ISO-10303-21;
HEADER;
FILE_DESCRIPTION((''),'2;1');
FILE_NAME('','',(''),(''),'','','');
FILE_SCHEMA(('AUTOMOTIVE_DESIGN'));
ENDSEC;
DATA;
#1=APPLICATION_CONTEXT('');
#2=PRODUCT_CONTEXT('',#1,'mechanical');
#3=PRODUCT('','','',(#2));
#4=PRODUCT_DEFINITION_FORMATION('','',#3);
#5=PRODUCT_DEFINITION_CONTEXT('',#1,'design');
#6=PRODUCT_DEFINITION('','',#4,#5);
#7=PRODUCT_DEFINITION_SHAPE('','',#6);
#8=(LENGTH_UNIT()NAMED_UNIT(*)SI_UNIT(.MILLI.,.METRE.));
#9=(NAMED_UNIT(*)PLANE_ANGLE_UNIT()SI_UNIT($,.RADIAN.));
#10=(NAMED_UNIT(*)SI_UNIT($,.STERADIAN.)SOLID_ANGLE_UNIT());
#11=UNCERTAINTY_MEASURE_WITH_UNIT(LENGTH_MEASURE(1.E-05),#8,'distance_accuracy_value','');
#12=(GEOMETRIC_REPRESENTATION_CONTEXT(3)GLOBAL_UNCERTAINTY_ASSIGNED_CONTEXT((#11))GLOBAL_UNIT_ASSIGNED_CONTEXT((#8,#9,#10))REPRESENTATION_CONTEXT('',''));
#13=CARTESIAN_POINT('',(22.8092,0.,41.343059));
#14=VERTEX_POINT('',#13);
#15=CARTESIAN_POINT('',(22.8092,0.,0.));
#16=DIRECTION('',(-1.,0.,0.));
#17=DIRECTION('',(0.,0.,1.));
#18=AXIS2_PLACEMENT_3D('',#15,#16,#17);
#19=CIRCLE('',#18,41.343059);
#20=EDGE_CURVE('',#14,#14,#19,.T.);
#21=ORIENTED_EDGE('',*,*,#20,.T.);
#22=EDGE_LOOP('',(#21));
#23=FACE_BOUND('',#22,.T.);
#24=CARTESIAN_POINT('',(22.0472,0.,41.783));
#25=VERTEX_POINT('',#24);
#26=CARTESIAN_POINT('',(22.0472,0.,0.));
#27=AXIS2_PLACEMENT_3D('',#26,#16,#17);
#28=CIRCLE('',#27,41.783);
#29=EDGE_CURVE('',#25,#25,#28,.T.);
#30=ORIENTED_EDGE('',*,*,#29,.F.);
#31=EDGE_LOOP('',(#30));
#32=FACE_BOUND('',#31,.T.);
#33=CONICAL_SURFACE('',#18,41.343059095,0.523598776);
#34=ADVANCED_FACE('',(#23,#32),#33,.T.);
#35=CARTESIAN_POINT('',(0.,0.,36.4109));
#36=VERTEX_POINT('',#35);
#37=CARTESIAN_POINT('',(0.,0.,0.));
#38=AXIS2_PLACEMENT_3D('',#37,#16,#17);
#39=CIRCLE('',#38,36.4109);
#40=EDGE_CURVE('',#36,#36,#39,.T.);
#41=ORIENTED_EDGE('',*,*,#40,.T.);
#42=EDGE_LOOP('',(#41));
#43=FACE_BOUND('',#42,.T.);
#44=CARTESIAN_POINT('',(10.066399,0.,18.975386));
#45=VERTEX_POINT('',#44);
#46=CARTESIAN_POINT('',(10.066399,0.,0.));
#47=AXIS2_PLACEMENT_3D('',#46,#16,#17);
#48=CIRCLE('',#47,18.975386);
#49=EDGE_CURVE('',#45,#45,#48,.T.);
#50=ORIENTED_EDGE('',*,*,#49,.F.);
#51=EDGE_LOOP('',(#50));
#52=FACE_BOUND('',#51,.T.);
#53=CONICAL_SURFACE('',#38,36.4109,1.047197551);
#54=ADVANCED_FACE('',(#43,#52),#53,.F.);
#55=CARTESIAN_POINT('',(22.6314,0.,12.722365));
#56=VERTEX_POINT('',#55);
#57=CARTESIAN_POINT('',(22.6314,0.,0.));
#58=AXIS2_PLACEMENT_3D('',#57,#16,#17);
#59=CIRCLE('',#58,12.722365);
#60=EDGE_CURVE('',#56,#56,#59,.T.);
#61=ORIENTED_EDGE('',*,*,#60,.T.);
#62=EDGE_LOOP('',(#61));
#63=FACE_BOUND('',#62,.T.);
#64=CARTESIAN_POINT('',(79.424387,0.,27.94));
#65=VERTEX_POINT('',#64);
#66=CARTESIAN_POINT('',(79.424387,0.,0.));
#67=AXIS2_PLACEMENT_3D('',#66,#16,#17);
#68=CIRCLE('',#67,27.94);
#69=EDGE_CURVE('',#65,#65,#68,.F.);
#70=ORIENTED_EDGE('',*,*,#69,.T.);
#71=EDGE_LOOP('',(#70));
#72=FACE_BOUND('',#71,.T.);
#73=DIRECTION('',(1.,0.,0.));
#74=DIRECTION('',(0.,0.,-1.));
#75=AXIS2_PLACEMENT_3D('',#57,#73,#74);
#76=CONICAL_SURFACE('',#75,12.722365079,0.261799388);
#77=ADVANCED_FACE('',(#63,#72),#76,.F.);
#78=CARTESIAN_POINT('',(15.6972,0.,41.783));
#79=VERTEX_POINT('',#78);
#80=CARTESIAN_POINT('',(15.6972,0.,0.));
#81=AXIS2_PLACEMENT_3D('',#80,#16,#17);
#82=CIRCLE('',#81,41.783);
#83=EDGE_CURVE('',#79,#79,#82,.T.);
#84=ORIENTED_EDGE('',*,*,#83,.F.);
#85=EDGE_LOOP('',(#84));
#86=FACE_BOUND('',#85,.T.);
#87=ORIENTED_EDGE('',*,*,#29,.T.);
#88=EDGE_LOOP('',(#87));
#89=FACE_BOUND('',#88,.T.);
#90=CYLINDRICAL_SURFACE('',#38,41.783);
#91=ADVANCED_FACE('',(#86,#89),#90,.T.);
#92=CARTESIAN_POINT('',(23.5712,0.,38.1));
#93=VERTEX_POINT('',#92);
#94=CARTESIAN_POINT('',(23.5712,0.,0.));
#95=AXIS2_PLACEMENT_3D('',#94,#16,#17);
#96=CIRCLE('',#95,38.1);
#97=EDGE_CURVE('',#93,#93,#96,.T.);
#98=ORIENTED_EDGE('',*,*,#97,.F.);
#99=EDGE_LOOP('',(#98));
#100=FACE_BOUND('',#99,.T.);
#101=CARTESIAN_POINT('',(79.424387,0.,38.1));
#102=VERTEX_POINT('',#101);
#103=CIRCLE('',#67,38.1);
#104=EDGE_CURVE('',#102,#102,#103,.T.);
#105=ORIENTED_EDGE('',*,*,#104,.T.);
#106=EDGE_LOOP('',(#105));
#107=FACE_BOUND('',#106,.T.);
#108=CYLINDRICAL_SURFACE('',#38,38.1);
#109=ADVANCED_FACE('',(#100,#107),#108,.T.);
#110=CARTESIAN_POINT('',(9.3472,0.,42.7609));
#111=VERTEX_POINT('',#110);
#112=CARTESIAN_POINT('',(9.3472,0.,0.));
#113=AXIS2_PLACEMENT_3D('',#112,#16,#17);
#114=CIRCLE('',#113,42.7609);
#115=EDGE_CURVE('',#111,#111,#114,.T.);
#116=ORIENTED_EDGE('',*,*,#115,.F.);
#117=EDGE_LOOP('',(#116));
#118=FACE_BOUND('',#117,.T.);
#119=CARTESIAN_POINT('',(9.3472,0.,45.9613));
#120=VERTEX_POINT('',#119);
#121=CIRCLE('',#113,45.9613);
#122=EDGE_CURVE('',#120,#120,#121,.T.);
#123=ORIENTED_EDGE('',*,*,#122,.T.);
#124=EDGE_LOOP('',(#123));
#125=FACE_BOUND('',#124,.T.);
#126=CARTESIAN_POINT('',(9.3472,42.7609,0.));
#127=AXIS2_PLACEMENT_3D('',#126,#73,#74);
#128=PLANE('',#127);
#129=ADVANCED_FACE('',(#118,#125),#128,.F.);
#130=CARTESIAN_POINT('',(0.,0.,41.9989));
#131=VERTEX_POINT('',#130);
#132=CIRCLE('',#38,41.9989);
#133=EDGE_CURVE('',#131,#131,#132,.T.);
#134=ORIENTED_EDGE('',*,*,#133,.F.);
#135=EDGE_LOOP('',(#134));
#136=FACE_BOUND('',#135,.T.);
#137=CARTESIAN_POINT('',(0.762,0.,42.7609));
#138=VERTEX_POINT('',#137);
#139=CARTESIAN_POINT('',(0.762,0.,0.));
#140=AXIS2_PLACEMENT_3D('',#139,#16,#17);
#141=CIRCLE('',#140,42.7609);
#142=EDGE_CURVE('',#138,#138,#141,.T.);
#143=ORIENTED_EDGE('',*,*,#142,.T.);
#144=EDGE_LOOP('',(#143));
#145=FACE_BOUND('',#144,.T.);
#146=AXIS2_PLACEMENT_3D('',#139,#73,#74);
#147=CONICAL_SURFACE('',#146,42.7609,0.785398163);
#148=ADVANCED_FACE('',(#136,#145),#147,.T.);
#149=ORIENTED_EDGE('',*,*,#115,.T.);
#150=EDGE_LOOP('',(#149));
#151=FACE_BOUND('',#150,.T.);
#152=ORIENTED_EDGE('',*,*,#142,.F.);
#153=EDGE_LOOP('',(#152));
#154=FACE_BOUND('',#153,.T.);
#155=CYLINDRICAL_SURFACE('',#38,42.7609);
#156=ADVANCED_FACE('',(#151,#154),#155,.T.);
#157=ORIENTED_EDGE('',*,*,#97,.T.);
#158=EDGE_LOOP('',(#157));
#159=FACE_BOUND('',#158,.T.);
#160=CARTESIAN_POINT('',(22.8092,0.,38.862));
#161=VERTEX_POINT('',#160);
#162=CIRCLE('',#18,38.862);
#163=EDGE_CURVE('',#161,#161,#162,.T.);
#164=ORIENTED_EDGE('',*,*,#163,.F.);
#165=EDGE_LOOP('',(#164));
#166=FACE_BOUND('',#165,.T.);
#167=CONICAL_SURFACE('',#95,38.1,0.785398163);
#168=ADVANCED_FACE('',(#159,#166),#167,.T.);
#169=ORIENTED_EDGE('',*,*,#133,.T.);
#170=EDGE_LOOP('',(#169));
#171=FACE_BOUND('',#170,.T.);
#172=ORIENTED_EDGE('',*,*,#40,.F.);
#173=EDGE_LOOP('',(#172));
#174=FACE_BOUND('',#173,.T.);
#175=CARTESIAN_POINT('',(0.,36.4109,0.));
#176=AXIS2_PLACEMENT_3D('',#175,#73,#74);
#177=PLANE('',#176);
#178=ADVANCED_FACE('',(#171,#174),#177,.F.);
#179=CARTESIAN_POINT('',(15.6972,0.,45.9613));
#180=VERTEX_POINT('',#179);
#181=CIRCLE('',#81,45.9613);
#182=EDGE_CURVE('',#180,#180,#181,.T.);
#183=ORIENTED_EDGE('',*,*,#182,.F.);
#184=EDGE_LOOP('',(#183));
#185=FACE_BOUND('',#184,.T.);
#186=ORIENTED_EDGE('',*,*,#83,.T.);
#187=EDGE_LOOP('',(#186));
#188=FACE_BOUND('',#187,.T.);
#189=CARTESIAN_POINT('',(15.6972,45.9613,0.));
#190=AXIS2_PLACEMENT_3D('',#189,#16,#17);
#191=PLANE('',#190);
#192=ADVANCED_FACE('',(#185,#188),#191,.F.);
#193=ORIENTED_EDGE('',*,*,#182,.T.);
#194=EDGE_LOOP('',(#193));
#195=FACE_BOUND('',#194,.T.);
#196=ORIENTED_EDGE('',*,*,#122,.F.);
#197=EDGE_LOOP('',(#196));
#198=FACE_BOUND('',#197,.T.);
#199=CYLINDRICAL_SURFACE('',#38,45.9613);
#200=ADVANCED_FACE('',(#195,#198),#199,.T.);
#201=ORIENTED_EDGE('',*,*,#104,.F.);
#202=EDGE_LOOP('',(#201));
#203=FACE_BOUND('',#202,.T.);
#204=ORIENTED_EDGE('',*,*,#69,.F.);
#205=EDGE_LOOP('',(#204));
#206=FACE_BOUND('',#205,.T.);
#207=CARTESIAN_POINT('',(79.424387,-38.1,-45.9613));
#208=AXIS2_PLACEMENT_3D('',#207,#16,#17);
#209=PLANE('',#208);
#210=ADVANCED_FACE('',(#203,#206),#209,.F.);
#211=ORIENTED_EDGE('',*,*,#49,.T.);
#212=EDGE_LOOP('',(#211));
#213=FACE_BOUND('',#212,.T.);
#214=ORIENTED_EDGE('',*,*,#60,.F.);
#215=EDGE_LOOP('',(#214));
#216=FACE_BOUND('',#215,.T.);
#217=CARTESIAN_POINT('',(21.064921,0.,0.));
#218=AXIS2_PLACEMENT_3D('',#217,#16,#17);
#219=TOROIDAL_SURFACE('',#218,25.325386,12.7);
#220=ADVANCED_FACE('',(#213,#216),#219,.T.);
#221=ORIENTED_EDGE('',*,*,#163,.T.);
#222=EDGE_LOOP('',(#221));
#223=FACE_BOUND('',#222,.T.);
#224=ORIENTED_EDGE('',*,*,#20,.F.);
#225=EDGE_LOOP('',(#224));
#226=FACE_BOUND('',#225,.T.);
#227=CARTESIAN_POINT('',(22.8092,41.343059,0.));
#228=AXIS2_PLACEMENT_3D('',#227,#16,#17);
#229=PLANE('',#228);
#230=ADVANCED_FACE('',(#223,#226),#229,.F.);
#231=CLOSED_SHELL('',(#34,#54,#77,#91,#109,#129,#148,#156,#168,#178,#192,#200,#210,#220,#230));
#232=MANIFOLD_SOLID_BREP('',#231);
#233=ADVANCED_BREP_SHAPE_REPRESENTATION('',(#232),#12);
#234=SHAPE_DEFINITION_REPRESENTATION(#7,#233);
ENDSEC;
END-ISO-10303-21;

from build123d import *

# Parameters (mm, degrees)
CUT_EXTRUDE1_DEPTH      = 124.385507346
CUT_EXTRUDE1_DEPTH_BACK = 124.385507346
SKETCH2_W               = 25.452213303
SKETCH2_H               = 76.2


with BuildPart() as part:
    # Sketch1 → Revolve1 (revolve)
    with BuildSketch(Plane.XY, mode=Mode.PRIVATE) as revolve1_sk:
        with BuildLine():
            Line((0, 36.4109), (0, 41.9989))
            Line((0, 41.9989), (0.762, 42.7609))
            Line((0.762, 42.7609), (9.3472, 42.7609))
            Line((9.3472, 42.7609), (9.3472, 45.9613))
            Line((9.3472, 45.9613), (15.6972, 45.9613))
            Line((15.6972, 45.9613), (15.6972, 41.783))
            Line((15.6972, 41.783), (22.0472, 41.783))
            Line((22.0472, 41.783), (22.8092, 41.343059095))
            Line((22.8092, 41.343059095), (22.8092, 38.862))
            Line((22.8092, 38.862), (23.5712, 38.1))
            Line((23.5712, 38.1), (104.1146, 38.1))
            Line((104.1146, 38.1), (104.8766, 37.338))
            Line((104.8766, 37.338), (104.8766, 34.7599))
            Line((104.8766, 34.7599), (22.6314, 12.722365079))
            ThreePointArc((22.6314, 12.722365079), (15.406658957, 13.955510804), (10.066398525, 18.975386305))
            Line((10.066398525, 18.975386305), (0, 36.4109))
        make_face()
    revolve(revolve1_sk.sketch.rotate(Axis((0, 0, 0), (1, 0, 0)), 90), axis=Axis((0, 0, 0), (1, 0, 0)))

    # Sketch2 → Cut-Extrude1 (cut, two sides: drawn at the far end of the back side and taken through both)
    with BuildSketch(Plane.XY.offset(-CUT_EXTRUDE1_DEPTH_BACK)):
        with Locations((92.150493349, 0)):
            Rectangle(SKETCH2_W, SKETCH2_H)
    extrude(amount=CUT_EXTRUDE1_DEPTH + CUT_EXTRUDE1_DEPTH_BACK, mode=Mode.SUBTRACT)


solid = part.part
